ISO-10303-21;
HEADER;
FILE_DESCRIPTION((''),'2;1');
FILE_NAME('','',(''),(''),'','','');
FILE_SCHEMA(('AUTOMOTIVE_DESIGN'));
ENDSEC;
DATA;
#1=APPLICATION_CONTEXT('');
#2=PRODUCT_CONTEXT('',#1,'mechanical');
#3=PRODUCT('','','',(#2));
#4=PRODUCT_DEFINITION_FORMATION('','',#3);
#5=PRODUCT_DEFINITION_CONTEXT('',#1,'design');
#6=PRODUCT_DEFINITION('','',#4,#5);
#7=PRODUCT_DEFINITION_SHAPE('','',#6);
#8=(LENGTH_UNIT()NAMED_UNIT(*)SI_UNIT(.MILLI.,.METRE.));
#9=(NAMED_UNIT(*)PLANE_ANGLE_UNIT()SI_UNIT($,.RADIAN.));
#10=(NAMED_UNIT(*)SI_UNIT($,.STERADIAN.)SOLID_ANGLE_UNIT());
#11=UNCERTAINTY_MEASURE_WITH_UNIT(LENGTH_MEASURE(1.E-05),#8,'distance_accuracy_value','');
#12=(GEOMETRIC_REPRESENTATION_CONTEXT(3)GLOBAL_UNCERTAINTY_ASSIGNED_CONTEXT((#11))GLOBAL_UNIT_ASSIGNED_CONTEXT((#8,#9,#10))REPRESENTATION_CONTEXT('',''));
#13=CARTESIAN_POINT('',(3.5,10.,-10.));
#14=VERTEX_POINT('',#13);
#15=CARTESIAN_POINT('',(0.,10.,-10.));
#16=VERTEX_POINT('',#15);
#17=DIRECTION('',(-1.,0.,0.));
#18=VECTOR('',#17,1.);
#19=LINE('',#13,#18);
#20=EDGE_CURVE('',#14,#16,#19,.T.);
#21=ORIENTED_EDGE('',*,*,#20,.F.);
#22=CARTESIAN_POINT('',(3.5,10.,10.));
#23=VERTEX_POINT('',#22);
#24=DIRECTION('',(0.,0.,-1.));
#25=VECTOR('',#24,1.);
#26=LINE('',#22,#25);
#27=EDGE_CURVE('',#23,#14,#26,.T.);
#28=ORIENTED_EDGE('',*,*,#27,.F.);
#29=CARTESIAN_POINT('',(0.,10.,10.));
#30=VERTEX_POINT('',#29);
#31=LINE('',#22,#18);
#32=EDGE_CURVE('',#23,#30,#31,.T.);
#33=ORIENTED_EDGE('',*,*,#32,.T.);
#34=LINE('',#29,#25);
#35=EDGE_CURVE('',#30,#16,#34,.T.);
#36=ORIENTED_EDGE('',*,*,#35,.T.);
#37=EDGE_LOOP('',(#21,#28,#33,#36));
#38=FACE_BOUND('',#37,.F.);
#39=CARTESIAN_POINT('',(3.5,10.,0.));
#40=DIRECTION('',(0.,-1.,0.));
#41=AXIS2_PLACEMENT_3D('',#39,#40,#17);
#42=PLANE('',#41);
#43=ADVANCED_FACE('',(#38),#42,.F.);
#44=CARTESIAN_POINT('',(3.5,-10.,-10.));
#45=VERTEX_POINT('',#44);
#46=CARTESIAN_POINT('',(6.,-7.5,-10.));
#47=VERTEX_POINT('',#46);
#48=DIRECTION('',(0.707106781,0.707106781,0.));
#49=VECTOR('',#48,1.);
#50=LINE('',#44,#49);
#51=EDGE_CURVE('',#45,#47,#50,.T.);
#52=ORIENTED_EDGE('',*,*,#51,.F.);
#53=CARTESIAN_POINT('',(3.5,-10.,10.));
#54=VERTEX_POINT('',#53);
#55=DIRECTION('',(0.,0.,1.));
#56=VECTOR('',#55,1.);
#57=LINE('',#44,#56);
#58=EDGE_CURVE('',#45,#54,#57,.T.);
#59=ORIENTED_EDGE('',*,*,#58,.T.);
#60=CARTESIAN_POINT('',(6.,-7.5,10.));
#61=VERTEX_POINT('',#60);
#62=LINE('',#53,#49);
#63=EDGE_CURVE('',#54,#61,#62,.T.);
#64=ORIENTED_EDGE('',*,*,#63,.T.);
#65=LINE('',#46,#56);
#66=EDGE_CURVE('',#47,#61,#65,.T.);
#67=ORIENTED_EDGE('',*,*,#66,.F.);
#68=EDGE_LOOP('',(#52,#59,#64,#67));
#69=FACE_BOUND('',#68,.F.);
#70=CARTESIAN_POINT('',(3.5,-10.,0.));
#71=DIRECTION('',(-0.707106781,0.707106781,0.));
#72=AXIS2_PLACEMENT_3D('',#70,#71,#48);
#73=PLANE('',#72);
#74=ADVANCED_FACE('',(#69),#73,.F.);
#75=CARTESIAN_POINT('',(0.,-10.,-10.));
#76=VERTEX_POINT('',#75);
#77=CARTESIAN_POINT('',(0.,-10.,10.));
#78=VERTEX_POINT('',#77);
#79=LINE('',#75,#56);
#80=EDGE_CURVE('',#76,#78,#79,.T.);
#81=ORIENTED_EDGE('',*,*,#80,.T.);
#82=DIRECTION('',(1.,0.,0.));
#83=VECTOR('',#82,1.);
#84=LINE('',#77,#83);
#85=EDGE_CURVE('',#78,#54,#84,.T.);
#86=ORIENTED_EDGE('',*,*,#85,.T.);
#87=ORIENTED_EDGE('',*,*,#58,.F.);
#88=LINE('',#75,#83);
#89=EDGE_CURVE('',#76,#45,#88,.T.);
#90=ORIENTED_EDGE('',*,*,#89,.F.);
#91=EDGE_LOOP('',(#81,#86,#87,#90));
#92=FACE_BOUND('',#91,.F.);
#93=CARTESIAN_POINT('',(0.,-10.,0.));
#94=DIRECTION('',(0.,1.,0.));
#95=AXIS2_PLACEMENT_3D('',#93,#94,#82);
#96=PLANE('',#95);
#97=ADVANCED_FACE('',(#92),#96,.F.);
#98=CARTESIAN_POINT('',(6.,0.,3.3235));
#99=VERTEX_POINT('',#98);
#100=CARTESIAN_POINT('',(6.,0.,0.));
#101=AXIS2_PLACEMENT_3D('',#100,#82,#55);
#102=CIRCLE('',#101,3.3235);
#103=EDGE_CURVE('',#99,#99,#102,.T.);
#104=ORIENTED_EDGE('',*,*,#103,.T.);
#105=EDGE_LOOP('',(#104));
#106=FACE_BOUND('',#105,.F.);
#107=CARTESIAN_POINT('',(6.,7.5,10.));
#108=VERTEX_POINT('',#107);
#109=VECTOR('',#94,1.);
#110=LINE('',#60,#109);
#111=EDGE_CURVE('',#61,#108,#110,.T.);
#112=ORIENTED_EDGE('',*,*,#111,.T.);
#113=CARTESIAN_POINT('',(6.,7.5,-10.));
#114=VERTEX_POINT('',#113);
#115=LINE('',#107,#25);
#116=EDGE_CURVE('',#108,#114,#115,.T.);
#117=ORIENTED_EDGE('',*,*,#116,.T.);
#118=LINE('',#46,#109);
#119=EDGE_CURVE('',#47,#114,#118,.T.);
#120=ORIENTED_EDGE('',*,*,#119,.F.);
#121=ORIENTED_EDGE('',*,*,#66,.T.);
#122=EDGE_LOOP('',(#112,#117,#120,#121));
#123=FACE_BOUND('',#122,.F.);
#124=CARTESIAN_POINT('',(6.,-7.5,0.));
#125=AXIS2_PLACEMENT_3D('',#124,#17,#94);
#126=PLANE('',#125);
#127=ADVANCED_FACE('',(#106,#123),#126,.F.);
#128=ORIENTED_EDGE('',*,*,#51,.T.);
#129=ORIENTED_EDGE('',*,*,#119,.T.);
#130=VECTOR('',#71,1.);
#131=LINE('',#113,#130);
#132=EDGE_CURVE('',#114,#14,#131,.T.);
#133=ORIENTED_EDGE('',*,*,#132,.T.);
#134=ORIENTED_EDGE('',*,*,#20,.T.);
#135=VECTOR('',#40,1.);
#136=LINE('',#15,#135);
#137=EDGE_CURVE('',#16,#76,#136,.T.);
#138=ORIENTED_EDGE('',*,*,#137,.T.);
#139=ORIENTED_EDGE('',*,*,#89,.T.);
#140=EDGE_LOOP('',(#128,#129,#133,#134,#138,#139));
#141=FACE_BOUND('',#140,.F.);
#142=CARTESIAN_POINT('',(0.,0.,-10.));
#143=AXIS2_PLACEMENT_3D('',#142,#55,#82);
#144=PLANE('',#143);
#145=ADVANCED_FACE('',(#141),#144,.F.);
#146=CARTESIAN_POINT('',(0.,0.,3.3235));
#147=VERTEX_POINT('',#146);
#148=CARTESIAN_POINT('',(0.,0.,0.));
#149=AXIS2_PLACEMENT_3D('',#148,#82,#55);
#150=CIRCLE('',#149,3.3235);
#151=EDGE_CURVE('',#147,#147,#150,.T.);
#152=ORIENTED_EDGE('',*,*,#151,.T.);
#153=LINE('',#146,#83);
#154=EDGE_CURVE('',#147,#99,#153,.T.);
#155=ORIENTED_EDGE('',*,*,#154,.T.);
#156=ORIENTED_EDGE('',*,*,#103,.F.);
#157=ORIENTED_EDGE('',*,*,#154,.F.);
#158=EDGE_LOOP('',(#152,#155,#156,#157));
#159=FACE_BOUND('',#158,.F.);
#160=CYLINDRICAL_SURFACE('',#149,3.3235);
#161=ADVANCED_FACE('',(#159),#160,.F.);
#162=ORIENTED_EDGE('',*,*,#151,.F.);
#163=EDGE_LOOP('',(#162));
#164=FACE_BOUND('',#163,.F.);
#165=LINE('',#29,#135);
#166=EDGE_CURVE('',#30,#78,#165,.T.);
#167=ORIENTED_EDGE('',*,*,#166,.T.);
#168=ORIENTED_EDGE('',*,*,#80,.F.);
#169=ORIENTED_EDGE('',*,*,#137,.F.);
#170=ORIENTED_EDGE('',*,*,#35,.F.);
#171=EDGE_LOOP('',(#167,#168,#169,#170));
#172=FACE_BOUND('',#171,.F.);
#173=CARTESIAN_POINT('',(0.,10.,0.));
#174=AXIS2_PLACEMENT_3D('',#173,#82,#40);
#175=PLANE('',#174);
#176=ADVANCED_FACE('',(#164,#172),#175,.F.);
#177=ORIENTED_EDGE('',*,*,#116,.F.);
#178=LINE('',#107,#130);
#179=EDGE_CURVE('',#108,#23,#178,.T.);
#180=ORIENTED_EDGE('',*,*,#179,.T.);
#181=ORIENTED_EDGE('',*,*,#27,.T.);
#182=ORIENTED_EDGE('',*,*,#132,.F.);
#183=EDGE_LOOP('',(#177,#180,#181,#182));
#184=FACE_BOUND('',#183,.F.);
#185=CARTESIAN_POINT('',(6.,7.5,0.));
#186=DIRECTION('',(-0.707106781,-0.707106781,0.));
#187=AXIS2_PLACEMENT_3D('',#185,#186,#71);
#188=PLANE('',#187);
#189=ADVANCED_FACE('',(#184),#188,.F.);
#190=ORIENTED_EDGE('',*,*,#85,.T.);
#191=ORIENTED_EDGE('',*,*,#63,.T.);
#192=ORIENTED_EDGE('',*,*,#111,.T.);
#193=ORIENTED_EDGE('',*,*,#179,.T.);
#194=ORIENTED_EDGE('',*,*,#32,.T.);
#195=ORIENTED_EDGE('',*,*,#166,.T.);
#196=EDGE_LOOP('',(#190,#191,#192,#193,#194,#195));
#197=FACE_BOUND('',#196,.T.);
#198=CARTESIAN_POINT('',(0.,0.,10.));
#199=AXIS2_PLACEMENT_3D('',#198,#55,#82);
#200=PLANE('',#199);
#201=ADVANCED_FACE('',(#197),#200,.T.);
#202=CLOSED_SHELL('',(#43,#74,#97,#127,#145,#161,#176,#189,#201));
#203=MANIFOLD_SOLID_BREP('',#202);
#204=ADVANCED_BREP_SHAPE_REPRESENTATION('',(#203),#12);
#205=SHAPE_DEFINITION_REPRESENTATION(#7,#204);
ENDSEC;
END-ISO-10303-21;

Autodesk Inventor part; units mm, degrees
ref_plane "YZ Plane" through (0, 0, 0) normal (1, 0, 0) x (0, 1, 0)
ref_plane "XZ Plane" through (0, 0, 0) normal (0, 1, 0) x (-1, 0, 0)
ref_plane "XY Plane" through (0, 0, 0) normal (0, 0, 1) x (1, 0, 0)
sketch "Sketch2" plane through (0, 0, 0) normal (0, 0, 1) x (1, 0, 0)
  line L0 (0, -10) -> (3.5, -10)
  line L1 (0, 10) -> (0, -10)
  line L2 (3.5, 10) -> (0, 10)
  line L3 (6, 7.5) -> (3.5, 10)
  line L4 (6, -7.5) -> (6, 7.5)
  line L5 (3.5, -10) -> (6, -7.5)
  line L6 (-1.2, 0) -> (7.2, 0) construction
  line L7 (0, -14) -> (0, 14) construction
  dimension "d11" = 20
  dimension "d12" = 15
  dimension "d13" = 45
  dimension "d14" = 6
extrude "Extrusion2" add sketch "Sketch2" along normal mid plane 20
hole "Hole1" at (0, 0, 0) direction (1, 0, 0) diameter 6.647 end through all thread size "M8x1.25" class "6H" standard "ANSI Metric M Profile"
properties part number "NUT, MK 1, M8" material "Steel, Alloy"
